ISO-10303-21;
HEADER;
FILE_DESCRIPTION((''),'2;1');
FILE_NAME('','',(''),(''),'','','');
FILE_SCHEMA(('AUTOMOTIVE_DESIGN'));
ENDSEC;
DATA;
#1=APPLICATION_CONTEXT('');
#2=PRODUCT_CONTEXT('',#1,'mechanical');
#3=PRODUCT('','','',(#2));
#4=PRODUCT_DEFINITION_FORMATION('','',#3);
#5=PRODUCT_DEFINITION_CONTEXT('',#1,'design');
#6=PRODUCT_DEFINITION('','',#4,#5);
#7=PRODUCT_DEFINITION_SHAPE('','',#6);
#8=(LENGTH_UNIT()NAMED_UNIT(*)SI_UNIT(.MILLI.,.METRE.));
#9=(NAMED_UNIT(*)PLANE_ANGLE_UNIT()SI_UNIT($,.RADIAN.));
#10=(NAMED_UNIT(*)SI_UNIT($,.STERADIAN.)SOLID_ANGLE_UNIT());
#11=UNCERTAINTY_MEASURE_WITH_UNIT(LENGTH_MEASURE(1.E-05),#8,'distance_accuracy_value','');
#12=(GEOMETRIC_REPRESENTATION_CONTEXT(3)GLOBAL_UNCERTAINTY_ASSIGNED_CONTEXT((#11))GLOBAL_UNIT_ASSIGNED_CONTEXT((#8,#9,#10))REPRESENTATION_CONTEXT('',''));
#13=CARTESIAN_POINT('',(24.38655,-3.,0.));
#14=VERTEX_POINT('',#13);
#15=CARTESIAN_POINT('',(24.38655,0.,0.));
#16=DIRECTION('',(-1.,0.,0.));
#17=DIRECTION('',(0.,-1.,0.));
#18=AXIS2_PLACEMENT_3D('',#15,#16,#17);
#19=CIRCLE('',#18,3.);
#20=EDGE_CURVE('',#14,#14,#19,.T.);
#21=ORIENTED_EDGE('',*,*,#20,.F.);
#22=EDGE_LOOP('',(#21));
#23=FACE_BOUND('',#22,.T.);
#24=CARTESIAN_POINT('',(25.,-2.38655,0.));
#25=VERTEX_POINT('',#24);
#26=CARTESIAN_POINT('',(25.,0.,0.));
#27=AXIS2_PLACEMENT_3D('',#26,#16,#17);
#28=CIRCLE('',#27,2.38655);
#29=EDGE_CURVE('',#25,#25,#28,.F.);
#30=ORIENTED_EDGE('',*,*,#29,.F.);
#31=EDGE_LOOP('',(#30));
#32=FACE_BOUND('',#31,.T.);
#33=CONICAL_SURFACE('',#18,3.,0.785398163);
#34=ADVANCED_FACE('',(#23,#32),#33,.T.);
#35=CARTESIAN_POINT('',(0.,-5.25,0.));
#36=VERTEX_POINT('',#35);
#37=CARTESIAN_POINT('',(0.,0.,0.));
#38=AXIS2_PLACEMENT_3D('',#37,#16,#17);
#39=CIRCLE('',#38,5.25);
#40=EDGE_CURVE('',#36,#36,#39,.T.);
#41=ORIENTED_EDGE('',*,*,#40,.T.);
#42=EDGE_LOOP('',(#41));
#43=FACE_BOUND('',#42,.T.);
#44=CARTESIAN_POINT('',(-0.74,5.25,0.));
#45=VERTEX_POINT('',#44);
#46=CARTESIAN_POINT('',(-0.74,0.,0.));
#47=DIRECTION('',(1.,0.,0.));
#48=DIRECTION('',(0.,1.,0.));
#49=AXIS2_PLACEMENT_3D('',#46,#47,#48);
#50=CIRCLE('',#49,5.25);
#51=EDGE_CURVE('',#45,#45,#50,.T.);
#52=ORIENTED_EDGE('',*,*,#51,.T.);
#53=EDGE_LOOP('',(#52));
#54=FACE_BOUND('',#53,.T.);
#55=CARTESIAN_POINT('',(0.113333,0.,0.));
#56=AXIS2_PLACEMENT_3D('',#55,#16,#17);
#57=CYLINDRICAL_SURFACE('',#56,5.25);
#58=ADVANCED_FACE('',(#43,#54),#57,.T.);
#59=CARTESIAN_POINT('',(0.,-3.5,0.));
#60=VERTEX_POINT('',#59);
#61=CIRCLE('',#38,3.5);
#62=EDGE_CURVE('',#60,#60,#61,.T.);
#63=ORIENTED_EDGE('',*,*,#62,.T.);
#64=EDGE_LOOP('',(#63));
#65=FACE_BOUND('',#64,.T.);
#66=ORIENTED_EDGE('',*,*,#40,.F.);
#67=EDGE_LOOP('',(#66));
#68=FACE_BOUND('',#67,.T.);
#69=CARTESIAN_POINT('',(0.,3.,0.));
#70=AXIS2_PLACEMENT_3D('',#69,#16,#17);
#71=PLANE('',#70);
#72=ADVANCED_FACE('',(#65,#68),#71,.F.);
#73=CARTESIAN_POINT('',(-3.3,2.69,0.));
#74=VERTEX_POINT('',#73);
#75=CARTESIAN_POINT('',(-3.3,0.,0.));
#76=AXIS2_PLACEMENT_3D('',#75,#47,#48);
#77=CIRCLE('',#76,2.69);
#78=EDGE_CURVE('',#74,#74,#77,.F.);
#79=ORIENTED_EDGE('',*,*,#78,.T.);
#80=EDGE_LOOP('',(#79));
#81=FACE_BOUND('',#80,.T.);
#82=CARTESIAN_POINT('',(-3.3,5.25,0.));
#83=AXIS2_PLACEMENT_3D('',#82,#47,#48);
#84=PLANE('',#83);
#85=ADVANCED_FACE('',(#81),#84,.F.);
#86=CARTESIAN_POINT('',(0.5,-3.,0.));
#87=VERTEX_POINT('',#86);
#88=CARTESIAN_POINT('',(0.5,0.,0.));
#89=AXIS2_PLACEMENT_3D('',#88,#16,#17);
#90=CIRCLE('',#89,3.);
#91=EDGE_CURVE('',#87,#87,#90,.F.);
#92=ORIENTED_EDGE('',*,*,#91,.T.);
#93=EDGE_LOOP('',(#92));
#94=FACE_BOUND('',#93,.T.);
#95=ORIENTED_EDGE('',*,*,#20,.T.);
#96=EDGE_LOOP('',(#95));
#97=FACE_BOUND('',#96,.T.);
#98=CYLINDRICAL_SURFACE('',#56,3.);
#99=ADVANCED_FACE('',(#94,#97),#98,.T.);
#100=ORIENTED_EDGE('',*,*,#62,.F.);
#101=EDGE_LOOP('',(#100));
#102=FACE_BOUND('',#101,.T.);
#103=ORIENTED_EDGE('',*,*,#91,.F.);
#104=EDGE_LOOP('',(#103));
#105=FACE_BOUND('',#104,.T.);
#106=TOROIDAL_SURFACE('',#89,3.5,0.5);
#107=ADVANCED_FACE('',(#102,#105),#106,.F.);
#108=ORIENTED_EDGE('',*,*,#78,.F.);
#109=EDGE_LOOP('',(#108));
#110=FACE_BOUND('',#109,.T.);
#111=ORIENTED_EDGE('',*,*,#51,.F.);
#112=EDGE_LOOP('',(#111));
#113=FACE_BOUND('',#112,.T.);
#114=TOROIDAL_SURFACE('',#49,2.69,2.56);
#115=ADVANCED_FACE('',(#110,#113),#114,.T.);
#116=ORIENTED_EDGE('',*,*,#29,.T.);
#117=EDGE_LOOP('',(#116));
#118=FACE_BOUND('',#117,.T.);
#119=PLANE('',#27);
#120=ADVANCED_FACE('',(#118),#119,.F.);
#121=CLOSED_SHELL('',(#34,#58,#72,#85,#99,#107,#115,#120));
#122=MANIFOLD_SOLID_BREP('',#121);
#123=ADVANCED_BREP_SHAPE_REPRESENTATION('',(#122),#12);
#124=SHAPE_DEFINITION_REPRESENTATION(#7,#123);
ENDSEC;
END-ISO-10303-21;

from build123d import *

# Parameters (mm, degrees)
EXTRUDE_562_REACH = 31.258
SKETCH_2_R        = 2.309401077
FILLET_616_R      = 2.56
CHAMFER_1_SIZE    = 0.61345
FILLET_2_R        = 0.5


with BuildPart() as part:
    # 草圖1 → Revolve 435 (revolve)
    with BuildSketch(Plane.XY, mode=Mode.PRIVATE) as revolve_435_sk:
        Polygon((0.113333333, 0), (25, 0), (25, 3), (3, 3), (2.38645, 3), (0, 3), (0, 5.25), (-3.3, 5.25), (-3.3, 2.309401077), (-1.22, 2.309401077), align=None)
    revolve(revolve_435_sk.sketch.rotate(Axis((0.113333333, 0, 0), (1, 0, 0)), 180), axis=Axis((0.113333333, 0, 0), (1, 0, 0)))

    # 草圖2 → Extrude 562 (add, up to next)
    with BuildSketch(Plane.ZY.offset(3.3), mode=Mode.PRIVATE) as extrude_562_sk1:
        Circle(SKETCH_2_R)
    extrude_562_tool1 = extrude(extrude_562_sk1.sketch, amount=-EXTRUDE_562_REACH, mode=Mode.PRIVATE) - part.part
    # 草圖2 → Extrude 562 (add, up to next)
    with BuildSketch(Plane.ZY.offset(3.3), mode=Mode.PRIVATE) as extrude_562_sk2:
        Polygon((2.309401077, 0), (1.154700538, -2), (-1.154700538, -2), (-2.309401077, 0), (-1.154700538, 2), (1.154700538, 2), align=None)
    extrude_562_tool2 = extrude(extrude_562_sk2.sketch, amount=-EXTRUDE_562_REACH, mode=Mode.PRIVATE) - part.part
    add(extrude_562_tool1.solids().sort_by_distance((-3.3, 0, 0))[0])
    add(extrude_562_tool2.solids().sort_by_distance((-3.3, 0, 0))[0])

    # Fillet 616
    fillet_616_edges = [part.edges().sort_by_distance(p)[0] for p in [
        (-3.3, 5.25, 0),
    ]]
    fillet(fillet_616_edges, radius=FILLET_616_R)

    # 倒角1
    chamfer_1_edges = [part.edges().sort_by_distance(p)[0] for p in [
        (25, 3, 0),
    ]]
    chamfer(chamfer_1_edges, length=CHAMFER_1_SIZE)

    # 圓角2
    fillet_2_edges = [part.edges().sort_by_distance(p)[0] for p in [
        (0, 3, 0),
    ]]
    fillet(fillet_2_edges, radius=FILLET_2_R)


solid = part.part
